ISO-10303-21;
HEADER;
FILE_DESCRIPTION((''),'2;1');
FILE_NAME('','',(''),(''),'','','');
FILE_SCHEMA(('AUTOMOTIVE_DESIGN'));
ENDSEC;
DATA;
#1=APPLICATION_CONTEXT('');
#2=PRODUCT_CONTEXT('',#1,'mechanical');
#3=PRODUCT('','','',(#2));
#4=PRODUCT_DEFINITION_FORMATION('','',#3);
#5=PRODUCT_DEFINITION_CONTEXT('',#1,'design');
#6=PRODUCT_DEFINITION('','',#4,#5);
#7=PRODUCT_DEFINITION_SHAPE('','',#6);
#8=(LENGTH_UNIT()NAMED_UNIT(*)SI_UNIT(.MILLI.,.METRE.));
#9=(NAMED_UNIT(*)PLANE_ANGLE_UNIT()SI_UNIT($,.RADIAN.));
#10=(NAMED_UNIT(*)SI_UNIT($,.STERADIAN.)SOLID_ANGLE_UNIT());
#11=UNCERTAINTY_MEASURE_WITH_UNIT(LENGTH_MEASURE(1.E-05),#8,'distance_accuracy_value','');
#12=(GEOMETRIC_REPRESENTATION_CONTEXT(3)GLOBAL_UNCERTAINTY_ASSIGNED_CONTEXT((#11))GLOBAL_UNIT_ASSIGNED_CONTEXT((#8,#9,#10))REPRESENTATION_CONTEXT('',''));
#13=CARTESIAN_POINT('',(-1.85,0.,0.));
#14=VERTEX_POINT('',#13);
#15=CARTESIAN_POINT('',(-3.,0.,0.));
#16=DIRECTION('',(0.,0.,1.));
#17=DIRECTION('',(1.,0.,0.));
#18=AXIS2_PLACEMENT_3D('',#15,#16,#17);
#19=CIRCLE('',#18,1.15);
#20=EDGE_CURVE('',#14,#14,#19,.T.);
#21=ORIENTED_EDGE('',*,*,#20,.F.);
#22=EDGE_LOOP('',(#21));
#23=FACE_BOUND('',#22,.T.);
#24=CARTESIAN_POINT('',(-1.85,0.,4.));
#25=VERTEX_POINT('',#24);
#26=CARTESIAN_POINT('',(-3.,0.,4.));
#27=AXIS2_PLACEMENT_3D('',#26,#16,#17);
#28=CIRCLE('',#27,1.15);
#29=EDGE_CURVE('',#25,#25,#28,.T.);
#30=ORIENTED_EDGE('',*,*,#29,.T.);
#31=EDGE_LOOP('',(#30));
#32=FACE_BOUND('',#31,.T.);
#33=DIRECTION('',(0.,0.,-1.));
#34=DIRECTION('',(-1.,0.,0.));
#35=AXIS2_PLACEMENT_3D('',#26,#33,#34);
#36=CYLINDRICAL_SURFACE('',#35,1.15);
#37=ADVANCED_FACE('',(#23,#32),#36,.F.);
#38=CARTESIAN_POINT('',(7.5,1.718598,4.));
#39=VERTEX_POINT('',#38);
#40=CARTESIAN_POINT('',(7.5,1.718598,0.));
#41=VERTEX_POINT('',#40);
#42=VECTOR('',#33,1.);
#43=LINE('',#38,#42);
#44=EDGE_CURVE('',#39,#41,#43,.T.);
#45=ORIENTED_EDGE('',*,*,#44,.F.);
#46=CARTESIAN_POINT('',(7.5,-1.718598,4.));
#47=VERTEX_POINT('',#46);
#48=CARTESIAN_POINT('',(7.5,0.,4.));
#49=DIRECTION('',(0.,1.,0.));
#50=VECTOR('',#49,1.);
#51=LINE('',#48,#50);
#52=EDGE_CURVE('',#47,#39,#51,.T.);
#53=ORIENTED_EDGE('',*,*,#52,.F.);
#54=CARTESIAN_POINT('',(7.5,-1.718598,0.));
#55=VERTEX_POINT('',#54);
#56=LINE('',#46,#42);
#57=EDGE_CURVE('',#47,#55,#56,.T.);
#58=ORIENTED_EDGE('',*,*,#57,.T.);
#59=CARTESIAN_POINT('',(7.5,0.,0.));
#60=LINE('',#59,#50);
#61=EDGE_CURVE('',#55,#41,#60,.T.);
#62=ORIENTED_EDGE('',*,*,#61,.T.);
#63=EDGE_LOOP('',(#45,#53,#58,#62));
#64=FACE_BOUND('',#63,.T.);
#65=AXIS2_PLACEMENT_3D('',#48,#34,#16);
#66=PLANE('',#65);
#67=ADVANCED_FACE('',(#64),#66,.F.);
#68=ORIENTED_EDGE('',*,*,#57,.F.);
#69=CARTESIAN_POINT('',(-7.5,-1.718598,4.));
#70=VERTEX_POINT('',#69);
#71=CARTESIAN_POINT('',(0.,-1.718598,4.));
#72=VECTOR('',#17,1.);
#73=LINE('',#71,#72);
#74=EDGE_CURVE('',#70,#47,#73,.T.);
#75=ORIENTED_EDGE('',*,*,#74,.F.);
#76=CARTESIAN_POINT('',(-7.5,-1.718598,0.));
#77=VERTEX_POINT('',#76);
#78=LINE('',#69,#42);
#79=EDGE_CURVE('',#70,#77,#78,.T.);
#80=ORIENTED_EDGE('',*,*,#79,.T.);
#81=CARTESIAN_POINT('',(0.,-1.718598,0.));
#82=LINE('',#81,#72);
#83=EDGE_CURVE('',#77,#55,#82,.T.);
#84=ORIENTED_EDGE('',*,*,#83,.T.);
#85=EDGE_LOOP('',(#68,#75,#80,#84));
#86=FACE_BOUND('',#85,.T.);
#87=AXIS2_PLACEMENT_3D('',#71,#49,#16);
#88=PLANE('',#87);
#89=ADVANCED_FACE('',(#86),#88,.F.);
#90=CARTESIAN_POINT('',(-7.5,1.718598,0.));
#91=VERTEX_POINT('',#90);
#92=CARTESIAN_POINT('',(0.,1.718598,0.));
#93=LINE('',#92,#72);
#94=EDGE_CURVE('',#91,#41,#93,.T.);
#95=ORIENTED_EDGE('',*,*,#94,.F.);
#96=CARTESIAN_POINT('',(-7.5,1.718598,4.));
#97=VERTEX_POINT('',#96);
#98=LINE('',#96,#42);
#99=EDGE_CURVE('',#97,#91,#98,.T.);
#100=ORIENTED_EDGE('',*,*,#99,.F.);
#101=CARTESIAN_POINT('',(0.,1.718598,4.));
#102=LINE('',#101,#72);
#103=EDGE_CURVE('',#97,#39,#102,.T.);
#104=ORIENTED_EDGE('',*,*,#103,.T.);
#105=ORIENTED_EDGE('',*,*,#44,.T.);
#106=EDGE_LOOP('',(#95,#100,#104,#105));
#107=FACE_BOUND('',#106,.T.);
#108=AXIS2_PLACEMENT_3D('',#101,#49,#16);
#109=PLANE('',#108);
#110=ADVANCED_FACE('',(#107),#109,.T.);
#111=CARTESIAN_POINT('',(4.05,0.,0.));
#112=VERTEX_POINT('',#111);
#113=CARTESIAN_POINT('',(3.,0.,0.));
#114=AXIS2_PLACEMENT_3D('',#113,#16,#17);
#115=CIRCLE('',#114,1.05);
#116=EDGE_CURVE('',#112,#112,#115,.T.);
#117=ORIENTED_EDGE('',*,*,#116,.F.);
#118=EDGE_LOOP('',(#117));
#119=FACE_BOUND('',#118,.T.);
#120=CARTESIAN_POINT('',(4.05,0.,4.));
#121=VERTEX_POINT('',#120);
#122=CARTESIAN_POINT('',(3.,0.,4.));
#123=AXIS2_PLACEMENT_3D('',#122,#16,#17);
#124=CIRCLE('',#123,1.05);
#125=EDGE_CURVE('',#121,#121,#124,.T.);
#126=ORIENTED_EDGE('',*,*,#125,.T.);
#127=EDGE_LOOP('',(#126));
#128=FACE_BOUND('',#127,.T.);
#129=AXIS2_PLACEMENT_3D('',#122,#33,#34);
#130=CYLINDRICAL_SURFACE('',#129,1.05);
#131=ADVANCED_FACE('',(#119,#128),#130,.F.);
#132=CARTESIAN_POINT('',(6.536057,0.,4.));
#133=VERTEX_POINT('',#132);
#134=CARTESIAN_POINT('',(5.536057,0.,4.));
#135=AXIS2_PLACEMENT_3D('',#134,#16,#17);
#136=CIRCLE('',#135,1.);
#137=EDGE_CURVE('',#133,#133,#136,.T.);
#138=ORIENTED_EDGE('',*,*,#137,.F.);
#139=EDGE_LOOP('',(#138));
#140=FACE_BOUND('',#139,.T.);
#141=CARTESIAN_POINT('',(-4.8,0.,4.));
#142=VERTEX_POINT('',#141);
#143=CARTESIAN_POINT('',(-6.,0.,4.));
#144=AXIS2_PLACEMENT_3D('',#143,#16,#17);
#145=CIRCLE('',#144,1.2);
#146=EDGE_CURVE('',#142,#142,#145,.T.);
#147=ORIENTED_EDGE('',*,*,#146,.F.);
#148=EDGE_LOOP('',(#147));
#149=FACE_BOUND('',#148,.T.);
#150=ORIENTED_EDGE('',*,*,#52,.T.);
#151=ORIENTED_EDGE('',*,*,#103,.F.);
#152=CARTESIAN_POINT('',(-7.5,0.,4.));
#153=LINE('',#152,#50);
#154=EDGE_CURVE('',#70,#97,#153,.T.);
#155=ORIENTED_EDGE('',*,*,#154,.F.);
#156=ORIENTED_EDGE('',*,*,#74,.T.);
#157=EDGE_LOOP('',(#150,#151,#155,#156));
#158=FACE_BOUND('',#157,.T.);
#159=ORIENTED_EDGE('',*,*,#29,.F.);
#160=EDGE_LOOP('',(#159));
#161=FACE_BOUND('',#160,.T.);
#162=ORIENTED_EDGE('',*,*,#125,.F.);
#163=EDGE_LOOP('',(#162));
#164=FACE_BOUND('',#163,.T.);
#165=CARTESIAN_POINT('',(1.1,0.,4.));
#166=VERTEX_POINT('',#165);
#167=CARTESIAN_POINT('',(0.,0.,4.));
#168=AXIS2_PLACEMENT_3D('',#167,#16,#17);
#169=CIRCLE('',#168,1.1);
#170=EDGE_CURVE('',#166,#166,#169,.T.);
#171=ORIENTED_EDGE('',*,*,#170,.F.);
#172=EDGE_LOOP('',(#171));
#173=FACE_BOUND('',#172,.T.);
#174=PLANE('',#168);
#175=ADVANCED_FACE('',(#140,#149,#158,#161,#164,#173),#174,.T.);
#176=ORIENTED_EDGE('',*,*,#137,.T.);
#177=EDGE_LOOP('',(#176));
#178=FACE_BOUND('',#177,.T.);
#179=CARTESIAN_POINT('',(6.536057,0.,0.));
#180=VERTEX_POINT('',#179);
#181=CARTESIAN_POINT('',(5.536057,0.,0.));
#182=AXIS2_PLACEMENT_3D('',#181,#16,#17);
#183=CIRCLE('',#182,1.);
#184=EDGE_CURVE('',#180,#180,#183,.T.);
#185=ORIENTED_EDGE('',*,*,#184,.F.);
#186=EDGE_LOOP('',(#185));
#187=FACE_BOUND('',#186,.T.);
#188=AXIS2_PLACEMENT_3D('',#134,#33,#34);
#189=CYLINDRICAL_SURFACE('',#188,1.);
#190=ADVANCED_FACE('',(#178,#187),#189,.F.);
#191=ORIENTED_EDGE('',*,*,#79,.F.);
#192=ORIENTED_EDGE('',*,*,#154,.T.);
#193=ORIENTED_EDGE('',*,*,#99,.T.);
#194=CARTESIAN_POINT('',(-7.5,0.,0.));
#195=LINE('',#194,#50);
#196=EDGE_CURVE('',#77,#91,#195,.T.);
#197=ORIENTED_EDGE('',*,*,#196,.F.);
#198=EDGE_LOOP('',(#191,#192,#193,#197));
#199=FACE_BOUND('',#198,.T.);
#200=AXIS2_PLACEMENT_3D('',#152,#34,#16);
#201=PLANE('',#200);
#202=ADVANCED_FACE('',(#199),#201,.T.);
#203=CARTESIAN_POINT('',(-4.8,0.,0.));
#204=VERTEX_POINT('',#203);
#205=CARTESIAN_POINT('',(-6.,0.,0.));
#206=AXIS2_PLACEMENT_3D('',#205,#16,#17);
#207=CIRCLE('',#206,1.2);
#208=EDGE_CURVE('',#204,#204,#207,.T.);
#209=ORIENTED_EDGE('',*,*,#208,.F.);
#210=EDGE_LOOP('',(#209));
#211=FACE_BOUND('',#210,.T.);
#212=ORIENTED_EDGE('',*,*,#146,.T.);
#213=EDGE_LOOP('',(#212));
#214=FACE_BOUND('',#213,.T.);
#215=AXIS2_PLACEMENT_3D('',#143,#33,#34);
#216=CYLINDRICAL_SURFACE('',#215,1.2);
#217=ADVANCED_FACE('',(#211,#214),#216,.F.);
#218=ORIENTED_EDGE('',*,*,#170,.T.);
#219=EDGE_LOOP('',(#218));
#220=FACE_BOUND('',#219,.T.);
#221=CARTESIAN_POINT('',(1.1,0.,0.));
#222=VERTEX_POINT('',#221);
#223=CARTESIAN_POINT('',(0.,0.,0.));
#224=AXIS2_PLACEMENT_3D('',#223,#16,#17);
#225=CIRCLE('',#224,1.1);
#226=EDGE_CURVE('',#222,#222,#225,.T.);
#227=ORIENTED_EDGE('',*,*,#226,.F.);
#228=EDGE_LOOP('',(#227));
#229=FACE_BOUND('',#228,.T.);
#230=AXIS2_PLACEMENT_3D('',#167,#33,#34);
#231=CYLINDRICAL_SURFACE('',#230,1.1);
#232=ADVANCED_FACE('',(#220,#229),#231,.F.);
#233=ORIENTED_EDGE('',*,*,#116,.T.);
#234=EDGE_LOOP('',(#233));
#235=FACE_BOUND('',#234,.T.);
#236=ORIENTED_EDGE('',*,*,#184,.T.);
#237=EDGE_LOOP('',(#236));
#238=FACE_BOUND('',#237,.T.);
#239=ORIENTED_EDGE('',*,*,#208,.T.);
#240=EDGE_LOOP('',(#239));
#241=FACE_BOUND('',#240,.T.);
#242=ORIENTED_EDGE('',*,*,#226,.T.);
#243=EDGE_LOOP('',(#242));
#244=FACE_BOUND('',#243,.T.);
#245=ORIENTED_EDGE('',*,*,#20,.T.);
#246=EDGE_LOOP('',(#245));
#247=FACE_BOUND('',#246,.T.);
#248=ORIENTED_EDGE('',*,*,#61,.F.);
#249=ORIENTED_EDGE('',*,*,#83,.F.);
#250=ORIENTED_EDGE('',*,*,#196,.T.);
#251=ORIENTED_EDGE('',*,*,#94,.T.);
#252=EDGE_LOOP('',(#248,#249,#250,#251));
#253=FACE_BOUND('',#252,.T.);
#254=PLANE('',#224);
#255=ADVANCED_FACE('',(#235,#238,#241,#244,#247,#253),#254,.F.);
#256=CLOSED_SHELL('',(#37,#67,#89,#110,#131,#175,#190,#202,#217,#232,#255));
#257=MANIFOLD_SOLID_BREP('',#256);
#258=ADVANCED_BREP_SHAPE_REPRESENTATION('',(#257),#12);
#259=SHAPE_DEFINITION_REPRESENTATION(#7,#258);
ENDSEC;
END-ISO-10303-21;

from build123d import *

# Parameters (mm, degrees)
SKETCH1_W           = 15
SKETCH1_H           = 3.437195072
SKETCH1_R           = 1.2
SKETCH1_R_2         = 1
SKETCH1_R_3         = 1.05
SKETCH1_R_4         = 1.15
SKETCH1_R_5         = 1.1
BOSS_EXTRUDE1_DEPTH = 4


with BuildPart() as part:
    # Sketch1 → Boss-Extrude1 (new body)
    with BuildSketch(Plane.XY):
        Rectangle(SKETCH1_W, SKETCH1_H)
        with Locations((-6, 0)):
            Circle(SKETCH1_R, mode=Mode.SUBTRACT)
        with Locations((5.536057004, 0)):
            Circle(SKETCH1_R_2, mode=Mode.SUBTRACT)
        with Locations((3, 0)):
            Circle(SKETCH1_R_3, mode=Mode.SUBTRACT)
        with Locations((-3, 0)):
            Circle(SKETCH1_R_4, mode=Mode.SUBTRACT)
        Circle(SKETCH1_R_5, mode=Mode.SUBTRACT)
    extrude(amount=BOSS_EXTRUDE1_DEPTH)


solid = part.part
